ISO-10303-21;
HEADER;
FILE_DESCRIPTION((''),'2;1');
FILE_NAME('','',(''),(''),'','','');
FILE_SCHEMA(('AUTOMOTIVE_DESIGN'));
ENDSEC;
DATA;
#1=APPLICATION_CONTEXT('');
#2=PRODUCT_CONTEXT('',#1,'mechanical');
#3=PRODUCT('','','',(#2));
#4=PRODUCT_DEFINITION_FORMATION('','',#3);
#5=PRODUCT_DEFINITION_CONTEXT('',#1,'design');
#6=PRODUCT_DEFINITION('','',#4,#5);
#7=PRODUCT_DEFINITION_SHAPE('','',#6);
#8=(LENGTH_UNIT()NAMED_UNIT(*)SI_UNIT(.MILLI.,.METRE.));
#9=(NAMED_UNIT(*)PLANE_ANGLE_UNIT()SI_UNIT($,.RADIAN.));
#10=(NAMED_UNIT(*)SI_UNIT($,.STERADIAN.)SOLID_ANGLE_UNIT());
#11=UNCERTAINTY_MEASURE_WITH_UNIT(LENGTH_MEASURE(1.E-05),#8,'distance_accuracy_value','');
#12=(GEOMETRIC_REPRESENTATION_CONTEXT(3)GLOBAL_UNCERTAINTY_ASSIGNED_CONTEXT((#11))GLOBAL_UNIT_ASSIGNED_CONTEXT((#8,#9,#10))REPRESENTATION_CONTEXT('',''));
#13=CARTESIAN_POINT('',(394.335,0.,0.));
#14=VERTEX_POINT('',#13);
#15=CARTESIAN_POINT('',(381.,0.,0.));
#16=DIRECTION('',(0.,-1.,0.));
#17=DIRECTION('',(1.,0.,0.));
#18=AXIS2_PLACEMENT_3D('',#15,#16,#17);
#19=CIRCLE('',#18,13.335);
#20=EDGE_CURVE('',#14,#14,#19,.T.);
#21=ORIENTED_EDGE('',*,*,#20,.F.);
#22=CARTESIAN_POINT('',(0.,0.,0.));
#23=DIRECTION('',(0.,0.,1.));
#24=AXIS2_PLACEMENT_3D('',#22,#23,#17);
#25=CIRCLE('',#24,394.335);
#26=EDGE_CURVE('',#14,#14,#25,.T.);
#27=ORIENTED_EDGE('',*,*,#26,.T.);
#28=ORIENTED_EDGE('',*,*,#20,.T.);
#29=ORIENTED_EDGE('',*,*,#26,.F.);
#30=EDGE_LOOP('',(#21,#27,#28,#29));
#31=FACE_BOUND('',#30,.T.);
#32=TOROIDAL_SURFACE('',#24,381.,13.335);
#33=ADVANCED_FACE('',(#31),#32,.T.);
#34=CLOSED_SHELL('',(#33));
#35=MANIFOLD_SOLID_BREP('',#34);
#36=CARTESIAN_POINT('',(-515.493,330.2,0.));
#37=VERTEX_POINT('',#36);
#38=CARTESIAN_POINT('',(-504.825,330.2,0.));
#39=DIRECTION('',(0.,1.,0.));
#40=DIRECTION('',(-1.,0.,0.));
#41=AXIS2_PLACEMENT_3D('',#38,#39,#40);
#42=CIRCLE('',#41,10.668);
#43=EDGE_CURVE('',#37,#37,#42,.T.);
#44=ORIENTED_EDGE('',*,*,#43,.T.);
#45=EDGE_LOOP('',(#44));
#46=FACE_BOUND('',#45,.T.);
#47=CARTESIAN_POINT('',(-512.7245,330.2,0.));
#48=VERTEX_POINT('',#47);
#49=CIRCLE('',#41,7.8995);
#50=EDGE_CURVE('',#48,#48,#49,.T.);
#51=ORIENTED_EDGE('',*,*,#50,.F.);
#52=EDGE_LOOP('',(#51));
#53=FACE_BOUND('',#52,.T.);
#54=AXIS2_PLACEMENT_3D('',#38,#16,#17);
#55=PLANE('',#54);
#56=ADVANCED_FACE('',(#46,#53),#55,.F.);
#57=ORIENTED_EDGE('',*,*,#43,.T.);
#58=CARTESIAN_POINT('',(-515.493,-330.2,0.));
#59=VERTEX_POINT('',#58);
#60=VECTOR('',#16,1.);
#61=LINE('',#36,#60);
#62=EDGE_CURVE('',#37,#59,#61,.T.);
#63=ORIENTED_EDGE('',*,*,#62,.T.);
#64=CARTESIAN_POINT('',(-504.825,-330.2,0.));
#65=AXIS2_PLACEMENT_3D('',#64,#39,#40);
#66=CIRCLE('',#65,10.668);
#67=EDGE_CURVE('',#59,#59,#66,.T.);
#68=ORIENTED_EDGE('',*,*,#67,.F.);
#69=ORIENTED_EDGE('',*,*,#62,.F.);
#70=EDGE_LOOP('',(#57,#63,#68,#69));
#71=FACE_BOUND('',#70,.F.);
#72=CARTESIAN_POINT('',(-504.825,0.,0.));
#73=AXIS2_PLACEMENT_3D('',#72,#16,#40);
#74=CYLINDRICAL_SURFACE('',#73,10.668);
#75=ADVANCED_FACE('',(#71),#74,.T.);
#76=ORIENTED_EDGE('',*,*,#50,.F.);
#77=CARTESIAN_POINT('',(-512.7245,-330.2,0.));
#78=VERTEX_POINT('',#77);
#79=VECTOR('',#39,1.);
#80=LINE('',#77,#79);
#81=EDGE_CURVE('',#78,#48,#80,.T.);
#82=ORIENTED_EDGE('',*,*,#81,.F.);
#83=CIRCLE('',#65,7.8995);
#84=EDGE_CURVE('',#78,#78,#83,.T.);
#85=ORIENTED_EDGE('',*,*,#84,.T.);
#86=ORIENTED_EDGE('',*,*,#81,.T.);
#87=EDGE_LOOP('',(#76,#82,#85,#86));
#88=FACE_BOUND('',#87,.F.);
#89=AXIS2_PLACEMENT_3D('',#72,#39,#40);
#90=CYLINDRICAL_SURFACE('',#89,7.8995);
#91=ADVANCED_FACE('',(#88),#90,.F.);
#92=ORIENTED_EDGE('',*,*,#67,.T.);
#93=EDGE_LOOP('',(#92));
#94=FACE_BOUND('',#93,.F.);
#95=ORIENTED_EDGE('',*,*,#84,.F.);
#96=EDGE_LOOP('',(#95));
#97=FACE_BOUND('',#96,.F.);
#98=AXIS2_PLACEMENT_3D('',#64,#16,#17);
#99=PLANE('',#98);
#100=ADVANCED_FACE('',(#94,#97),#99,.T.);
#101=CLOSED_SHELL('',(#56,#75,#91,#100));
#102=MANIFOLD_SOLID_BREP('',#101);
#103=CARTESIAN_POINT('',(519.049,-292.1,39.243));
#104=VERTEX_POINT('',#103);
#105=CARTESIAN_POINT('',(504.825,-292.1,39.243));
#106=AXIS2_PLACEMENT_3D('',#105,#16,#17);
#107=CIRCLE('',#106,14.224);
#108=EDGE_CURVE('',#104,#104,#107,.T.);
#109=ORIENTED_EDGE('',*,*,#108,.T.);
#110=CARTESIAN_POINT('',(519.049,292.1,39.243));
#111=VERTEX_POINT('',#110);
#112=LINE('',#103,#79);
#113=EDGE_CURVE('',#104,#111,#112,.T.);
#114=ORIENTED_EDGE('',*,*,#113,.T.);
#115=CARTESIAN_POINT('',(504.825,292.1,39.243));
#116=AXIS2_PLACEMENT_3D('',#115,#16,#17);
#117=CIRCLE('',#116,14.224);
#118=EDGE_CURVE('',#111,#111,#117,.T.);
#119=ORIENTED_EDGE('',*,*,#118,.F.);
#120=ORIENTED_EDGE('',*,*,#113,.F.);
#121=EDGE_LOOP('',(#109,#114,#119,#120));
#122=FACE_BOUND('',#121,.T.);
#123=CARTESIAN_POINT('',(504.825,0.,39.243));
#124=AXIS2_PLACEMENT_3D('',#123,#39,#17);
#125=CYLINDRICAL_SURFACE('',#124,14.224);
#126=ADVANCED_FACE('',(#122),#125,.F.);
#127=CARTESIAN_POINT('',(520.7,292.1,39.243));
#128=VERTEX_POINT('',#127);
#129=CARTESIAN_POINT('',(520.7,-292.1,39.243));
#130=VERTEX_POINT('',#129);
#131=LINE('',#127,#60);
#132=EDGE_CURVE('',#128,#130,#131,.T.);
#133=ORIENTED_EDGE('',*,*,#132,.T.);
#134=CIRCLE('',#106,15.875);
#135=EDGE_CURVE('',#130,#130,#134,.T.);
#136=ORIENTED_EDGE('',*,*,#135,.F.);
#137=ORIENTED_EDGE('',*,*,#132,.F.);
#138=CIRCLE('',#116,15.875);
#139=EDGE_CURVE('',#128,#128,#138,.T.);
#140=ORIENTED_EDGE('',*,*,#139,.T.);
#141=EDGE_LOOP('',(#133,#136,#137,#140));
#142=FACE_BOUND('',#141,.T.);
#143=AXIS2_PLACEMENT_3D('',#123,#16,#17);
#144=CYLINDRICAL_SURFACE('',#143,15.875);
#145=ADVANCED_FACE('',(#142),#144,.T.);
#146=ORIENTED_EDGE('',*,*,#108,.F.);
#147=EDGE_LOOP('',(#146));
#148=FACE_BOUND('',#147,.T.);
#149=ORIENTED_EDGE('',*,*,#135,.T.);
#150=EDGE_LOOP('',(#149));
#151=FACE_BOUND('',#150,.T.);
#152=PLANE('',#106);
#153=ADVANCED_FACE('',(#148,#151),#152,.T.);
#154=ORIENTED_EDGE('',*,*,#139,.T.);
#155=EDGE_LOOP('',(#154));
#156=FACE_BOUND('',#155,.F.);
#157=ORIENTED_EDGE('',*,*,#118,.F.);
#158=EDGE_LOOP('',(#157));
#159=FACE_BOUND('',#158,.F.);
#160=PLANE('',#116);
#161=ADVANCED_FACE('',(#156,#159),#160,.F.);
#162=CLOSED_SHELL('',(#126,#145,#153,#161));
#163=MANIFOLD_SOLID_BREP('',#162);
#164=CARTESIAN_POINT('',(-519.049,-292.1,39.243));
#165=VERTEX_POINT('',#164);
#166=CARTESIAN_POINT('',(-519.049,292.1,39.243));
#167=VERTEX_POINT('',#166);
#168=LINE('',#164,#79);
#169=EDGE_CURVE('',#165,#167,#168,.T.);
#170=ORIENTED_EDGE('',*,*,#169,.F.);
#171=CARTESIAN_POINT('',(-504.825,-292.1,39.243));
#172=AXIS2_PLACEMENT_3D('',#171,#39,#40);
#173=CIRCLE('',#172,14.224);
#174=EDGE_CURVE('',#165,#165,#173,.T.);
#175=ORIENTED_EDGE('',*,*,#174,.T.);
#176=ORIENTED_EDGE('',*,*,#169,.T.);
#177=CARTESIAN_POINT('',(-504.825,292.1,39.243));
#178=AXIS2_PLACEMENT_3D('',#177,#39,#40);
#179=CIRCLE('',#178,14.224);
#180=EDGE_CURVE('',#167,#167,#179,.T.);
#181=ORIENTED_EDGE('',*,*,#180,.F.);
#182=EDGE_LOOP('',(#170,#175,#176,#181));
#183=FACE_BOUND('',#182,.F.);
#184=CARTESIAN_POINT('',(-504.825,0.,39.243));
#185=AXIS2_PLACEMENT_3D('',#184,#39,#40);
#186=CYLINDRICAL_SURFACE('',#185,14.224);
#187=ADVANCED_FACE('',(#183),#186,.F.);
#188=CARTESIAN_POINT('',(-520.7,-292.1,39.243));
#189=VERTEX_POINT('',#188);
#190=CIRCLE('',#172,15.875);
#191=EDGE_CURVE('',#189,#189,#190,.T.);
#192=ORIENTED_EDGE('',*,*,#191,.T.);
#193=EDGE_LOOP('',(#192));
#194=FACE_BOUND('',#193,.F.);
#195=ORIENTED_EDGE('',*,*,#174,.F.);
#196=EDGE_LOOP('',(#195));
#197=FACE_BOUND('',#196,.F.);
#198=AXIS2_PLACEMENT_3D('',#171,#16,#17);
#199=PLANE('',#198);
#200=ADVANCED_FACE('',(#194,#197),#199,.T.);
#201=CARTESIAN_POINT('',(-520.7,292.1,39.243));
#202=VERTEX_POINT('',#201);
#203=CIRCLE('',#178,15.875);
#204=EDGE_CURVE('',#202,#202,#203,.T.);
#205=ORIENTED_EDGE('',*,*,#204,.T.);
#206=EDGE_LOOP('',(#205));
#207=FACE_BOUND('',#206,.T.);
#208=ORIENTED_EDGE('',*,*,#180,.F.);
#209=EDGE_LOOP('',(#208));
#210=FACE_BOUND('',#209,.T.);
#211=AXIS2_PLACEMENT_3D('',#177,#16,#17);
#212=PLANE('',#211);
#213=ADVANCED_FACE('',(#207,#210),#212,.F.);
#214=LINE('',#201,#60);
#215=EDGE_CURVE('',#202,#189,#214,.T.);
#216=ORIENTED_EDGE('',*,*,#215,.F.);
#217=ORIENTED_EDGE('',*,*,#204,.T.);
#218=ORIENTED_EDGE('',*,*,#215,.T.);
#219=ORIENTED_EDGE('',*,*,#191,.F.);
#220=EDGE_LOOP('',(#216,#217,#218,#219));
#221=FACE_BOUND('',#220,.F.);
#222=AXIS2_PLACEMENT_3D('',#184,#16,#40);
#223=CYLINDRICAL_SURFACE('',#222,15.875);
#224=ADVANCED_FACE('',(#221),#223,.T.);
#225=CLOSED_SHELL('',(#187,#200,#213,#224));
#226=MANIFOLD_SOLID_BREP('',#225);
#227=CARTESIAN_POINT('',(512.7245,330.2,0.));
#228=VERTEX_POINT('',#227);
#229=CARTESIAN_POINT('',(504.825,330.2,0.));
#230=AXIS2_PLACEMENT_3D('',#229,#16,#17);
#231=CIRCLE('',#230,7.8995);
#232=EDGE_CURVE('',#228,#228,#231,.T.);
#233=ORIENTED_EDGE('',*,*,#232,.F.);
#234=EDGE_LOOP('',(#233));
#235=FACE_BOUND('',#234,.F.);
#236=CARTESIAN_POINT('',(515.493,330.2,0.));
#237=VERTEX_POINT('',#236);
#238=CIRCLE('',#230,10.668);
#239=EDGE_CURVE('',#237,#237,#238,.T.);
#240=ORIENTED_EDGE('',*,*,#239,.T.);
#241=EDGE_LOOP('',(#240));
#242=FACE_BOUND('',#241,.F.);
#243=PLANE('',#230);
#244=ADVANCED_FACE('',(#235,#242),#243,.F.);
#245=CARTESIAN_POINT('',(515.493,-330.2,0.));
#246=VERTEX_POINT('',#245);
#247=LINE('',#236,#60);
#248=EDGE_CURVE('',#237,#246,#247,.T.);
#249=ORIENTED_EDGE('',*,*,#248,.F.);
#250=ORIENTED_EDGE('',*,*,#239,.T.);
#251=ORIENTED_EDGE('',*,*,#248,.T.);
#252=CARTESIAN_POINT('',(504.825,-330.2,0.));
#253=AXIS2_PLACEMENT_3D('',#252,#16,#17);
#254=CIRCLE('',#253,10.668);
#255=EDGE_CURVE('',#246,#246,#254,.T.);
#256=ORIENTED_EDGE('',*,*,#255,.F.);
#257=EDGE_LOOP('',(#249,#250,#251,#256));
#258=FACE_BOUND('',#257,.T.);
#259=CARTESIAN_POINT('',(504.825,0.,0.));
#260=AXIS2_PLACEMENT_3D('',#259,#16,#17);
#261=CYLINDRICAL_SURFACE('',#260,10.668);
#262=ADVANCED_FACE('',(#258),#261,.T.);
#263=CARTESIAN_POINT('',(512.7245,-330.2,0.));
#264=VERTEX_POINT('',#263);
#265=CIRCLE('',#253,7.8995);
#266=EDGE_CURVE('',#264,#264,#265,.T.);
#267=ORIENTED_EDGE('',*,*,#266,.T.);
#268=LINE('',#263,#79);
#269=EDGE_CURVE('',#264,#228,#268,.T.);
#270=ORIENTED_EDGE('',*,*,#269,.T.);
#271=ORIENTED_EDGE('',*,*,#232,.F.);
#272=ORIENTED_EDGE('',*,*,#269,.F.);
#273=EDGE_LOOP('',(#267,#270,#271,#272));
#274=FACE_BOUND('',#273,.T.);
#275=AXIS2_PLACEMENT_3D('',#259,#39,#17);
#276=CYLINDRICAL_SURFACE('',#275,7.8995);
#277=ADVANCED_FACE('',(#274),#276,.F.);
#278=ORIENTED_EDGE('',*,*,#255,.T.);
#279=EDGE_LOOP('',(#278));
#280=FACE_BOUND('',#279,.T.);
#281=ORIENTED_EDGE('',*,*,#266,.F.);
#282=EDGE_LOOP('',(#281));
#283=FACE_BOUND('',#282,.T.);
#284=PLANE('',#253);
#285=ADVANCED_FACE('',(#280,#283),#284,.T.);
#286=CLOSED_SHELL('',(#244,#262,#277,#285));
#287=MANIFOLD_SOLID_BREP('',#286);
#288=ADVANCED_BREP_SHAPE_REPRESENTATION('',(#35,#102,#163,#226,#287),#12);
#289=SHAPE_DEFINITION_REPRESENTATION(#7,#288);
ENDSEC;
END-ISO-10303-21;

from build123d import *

# Parameters (mm, degrees)
F0_R     = 13.335
F0_R_2   = 10.5
F2_R     = 15.875
F2_R_2   = 14.224
F3_DEPTH = 292.1
F4_R     = 10.668
F4_R_2   = 7.8995
F5_DEPTH = 330.2


with BuildPart() as f1:
    # F0 (on Front) → F1 (revolve)
    with BuildSketch(Plane.XZ):
        with Locations((381, 0)):
            Circle(F0_R)
        with Locations((381, 0)):
            Circle(F0_R_2, mode=Mode.SUBTRACT)
        with Locations((381, 0)):
            Circle(F0_R_2)
    revolve(axis=Axis((0, 0, 10), (0, 0, 1)))


with BuildPart() as f3:
    # F2 (on Front) → F3 (new body, symmetric)
    with BuildSketch(Plane.XZ):
        with Locations((504.825, 39.243)):
            Circle(F2_R)
        with Locations((504.825, 39.243)):
            Circle(F2_R_2, mode=Mode.SUBTRACT)
    extrude(amount=F3_DEPTH, both=True)


with BuildPart() as f5:
    # F4 (on Front) → F5 (new body, symmetric)
    with BuildSketch(Plane.XZ):
        with Locations((504.825, 0)):
            Circle(F4_R)
        with Locations((504.825, 0)):
            Circle(F4_R_2, mode=Mode.SUBTRACT)
    extrude(amount=F5_DEPTH, both=True)


with BuildPart() as f6_1:
    # F6: instance of F3
    add(f3.part.mirror(Plane.YZ))


with BuildPart() as f7_1:
    # F7: instance of F5
    add(f5.part.mirror(Plane.YZ))


solid = Compound([f1.part, f3.part, f5.part, f6_1.part, f7_1.part])
